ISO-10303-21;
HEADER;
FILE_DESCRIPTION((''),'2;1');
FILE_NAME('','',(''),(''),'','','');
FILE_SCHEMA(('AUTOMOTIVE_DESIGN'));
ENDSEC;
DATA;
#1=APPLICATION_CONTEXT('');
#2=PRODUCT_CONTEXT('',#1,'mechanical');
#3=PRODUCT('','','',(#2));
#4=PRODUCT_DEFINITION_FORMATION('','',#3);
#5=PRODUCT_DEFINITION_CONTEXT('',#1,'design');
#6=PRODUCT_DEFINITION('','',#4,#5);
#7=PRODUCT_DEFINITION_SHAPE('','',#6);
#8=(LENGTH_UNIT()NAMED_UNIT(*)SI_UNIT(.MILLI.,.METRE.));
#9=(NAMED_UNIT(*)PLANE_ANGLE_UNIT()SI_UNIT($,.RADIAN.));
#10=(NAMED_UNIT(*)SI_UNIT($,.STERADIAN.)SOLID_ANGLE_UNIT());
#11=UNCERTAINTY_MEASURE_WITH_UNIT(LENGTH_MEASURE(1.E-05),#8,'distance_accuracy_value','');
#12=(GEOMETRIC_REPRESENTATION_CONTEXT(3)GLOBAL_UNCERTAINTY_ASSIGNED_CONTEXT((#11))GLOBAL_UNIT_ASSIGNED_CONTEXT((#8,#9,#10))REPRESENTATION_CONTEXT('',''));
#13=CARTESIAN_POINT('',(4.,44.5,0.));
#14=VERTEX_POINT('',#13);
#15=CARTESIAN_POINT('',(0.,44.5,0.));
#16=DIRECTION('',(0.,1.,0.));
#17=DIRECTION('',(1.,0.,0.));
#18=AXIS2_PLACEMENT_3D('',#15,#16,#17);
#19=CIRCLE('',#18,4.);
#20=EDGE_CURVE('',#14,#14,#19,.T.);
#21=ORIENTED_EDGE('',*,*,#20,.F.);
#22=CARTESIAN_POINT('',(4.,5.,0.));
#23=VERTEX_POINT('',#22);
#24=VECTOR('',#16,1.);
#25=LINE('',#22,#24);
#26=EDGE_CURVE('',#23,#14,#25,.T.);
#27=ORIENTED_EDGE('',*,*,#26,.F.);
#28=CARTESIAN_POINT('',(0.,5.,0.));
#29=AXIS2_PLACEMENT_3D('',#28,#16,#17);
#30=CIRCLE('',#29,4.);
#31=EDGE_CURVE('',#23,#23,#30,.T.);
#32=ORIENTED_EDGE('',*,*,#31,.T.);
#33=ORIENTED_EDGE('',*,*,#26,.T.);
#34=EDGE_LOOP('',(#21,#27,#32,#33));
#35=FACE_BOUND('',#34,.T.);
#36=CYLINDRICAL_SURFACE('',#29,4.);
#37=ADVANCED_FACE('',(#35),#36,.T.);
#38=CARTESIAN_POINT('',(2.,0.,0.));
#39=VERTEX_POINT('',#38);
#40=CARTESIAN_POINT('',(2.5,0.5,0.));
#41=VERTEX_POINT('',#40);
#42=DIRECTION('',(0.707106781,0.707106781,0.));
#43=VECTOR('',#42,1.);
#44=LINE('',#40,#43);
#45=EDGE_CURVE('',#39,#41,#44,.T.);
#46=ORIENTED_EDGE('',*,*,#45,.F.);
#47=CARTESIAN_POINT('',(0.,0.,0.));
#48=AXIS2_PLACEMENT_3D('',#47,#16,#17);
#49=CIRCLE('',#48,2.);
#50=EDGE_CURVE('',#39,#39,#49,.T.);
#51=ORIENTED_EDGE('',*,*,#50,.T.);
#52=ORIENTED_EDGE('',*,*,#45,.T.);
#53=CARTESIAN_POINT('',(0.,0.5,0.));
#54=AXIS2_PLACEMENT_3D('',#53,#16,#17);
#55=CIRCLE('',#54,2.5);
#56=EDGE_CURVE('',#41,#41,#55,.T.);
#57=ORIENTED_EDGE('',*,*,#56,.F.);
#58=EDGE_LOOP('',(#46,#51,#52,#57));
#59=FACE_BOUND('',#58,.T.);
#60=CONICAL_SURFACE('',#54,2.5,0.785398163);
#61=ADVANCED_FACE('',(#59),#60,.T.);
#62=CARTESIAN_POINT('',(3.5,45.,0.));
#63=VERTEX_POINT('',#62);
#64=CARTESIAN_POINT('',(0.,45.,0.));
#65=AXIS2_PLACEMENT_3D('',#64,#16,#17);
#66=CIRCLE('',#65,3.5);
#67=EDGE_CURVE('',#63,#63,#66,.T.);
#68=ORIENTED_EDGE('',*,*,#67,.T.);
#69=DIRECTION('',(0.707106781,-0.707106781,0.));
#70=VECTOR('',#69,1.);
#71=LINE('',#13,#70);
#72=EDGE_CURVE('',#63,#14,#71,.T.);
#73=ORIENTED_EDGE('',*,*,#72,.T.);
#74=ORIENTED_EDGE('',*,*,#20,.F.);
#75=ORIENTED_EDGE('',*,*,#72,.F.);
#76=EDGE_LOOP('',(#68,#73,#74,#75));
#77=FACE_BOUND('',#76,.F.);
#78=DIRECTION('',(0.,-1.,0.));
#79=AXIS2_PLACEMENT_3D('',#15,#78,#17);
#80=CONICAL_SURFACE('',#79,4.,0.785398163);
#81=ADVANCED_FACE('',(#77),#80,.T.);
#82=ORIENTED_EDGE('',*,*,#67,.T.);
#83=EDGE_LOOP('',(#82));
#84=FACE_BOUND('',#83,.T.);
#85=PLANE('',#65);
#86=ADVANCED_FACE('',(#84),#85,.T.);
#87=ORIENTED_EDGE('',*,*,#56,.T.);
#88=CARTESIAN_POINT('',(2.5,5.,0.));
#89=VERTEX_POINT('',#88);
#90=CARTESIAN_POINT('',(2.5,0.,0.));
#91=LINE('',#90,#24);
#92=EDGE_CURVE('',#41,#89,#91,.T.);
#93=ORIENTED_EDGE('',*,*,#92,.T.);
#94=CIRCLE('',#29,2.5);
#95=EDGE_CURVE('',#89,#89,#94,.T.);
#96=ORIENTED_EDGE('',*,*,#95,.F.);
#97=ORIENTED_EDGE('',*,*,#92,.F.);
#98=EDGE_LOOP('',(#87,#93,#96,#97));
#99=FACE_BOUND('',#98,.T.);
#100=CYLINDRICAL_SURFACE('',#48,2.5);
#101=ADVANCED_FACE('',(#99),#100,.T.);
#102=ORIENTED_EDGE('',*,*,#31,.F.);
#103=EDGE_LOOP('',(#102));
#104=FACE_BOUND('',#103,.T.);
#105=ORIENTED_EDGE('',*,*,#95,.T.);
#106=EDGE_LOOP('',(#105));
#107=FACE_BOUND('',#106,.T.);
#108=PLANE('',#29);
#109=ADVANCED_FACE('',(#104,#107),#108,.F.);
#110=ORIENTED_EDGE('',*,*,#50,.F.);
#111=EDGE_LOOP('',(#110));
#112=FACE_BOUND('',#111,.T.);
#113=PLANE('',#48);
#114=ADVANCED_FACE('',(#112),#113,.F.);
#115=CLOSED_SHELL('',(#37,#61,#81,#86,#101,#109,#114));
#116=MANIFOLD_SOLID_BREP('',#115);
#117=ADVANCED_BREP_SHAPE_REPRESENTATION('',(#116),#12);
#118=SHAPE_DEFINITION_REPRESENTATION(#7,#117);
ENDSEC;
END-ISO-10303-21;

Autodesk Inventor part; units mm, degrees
ref_plane "YZ Plane" through (0, 0, 0) normal (1, 0, 0) x (0, 1, 0)
ref_plane "XZ Plane" through (0, 0, 0) normal (0, 1, 0) x (-1, 0, 0)
ref_plane "XY Plane" through (0, 0, 0) normal (0, 0, 1) x (1, 0, 0)
sketch "Sketch2" plane through (0, 0, 0) normal (0, 0, 1) x (1, 0, 0)
  line L0 (2.5, 0) -> (2.5, 5)
  line L1 (2.5, 5) -> (4, 5)
  line L2 (4, 5) -> (4, 45)
  line L3 (0, 0) -> (0, 45)
  line L4 (0, 0) -> (2.5, 0)
  line L5 (4, 45) -> (0, 45)
  point P0 (0, 25)
  dimension "d2" = 5
  dimension "d3" = 40
  dimension "d4" = 8
  dimension "d5" = 5
revolve "Revolution1" add sketch "Sketch2" angle 360 about axis through (0, 0, 0) along (0, 1, 0)
thread "Thread1" size "M5x0.8" class "6g" standard "ANSI Metric M Profile" full length
chamfer "Chamfer1" distance 0.5 angle 45 2 edges at (-4, 45, 0) (-2.5, 0, 0)
properties part number "OringM5Wrench" material "Stainless Steel, 440C"
